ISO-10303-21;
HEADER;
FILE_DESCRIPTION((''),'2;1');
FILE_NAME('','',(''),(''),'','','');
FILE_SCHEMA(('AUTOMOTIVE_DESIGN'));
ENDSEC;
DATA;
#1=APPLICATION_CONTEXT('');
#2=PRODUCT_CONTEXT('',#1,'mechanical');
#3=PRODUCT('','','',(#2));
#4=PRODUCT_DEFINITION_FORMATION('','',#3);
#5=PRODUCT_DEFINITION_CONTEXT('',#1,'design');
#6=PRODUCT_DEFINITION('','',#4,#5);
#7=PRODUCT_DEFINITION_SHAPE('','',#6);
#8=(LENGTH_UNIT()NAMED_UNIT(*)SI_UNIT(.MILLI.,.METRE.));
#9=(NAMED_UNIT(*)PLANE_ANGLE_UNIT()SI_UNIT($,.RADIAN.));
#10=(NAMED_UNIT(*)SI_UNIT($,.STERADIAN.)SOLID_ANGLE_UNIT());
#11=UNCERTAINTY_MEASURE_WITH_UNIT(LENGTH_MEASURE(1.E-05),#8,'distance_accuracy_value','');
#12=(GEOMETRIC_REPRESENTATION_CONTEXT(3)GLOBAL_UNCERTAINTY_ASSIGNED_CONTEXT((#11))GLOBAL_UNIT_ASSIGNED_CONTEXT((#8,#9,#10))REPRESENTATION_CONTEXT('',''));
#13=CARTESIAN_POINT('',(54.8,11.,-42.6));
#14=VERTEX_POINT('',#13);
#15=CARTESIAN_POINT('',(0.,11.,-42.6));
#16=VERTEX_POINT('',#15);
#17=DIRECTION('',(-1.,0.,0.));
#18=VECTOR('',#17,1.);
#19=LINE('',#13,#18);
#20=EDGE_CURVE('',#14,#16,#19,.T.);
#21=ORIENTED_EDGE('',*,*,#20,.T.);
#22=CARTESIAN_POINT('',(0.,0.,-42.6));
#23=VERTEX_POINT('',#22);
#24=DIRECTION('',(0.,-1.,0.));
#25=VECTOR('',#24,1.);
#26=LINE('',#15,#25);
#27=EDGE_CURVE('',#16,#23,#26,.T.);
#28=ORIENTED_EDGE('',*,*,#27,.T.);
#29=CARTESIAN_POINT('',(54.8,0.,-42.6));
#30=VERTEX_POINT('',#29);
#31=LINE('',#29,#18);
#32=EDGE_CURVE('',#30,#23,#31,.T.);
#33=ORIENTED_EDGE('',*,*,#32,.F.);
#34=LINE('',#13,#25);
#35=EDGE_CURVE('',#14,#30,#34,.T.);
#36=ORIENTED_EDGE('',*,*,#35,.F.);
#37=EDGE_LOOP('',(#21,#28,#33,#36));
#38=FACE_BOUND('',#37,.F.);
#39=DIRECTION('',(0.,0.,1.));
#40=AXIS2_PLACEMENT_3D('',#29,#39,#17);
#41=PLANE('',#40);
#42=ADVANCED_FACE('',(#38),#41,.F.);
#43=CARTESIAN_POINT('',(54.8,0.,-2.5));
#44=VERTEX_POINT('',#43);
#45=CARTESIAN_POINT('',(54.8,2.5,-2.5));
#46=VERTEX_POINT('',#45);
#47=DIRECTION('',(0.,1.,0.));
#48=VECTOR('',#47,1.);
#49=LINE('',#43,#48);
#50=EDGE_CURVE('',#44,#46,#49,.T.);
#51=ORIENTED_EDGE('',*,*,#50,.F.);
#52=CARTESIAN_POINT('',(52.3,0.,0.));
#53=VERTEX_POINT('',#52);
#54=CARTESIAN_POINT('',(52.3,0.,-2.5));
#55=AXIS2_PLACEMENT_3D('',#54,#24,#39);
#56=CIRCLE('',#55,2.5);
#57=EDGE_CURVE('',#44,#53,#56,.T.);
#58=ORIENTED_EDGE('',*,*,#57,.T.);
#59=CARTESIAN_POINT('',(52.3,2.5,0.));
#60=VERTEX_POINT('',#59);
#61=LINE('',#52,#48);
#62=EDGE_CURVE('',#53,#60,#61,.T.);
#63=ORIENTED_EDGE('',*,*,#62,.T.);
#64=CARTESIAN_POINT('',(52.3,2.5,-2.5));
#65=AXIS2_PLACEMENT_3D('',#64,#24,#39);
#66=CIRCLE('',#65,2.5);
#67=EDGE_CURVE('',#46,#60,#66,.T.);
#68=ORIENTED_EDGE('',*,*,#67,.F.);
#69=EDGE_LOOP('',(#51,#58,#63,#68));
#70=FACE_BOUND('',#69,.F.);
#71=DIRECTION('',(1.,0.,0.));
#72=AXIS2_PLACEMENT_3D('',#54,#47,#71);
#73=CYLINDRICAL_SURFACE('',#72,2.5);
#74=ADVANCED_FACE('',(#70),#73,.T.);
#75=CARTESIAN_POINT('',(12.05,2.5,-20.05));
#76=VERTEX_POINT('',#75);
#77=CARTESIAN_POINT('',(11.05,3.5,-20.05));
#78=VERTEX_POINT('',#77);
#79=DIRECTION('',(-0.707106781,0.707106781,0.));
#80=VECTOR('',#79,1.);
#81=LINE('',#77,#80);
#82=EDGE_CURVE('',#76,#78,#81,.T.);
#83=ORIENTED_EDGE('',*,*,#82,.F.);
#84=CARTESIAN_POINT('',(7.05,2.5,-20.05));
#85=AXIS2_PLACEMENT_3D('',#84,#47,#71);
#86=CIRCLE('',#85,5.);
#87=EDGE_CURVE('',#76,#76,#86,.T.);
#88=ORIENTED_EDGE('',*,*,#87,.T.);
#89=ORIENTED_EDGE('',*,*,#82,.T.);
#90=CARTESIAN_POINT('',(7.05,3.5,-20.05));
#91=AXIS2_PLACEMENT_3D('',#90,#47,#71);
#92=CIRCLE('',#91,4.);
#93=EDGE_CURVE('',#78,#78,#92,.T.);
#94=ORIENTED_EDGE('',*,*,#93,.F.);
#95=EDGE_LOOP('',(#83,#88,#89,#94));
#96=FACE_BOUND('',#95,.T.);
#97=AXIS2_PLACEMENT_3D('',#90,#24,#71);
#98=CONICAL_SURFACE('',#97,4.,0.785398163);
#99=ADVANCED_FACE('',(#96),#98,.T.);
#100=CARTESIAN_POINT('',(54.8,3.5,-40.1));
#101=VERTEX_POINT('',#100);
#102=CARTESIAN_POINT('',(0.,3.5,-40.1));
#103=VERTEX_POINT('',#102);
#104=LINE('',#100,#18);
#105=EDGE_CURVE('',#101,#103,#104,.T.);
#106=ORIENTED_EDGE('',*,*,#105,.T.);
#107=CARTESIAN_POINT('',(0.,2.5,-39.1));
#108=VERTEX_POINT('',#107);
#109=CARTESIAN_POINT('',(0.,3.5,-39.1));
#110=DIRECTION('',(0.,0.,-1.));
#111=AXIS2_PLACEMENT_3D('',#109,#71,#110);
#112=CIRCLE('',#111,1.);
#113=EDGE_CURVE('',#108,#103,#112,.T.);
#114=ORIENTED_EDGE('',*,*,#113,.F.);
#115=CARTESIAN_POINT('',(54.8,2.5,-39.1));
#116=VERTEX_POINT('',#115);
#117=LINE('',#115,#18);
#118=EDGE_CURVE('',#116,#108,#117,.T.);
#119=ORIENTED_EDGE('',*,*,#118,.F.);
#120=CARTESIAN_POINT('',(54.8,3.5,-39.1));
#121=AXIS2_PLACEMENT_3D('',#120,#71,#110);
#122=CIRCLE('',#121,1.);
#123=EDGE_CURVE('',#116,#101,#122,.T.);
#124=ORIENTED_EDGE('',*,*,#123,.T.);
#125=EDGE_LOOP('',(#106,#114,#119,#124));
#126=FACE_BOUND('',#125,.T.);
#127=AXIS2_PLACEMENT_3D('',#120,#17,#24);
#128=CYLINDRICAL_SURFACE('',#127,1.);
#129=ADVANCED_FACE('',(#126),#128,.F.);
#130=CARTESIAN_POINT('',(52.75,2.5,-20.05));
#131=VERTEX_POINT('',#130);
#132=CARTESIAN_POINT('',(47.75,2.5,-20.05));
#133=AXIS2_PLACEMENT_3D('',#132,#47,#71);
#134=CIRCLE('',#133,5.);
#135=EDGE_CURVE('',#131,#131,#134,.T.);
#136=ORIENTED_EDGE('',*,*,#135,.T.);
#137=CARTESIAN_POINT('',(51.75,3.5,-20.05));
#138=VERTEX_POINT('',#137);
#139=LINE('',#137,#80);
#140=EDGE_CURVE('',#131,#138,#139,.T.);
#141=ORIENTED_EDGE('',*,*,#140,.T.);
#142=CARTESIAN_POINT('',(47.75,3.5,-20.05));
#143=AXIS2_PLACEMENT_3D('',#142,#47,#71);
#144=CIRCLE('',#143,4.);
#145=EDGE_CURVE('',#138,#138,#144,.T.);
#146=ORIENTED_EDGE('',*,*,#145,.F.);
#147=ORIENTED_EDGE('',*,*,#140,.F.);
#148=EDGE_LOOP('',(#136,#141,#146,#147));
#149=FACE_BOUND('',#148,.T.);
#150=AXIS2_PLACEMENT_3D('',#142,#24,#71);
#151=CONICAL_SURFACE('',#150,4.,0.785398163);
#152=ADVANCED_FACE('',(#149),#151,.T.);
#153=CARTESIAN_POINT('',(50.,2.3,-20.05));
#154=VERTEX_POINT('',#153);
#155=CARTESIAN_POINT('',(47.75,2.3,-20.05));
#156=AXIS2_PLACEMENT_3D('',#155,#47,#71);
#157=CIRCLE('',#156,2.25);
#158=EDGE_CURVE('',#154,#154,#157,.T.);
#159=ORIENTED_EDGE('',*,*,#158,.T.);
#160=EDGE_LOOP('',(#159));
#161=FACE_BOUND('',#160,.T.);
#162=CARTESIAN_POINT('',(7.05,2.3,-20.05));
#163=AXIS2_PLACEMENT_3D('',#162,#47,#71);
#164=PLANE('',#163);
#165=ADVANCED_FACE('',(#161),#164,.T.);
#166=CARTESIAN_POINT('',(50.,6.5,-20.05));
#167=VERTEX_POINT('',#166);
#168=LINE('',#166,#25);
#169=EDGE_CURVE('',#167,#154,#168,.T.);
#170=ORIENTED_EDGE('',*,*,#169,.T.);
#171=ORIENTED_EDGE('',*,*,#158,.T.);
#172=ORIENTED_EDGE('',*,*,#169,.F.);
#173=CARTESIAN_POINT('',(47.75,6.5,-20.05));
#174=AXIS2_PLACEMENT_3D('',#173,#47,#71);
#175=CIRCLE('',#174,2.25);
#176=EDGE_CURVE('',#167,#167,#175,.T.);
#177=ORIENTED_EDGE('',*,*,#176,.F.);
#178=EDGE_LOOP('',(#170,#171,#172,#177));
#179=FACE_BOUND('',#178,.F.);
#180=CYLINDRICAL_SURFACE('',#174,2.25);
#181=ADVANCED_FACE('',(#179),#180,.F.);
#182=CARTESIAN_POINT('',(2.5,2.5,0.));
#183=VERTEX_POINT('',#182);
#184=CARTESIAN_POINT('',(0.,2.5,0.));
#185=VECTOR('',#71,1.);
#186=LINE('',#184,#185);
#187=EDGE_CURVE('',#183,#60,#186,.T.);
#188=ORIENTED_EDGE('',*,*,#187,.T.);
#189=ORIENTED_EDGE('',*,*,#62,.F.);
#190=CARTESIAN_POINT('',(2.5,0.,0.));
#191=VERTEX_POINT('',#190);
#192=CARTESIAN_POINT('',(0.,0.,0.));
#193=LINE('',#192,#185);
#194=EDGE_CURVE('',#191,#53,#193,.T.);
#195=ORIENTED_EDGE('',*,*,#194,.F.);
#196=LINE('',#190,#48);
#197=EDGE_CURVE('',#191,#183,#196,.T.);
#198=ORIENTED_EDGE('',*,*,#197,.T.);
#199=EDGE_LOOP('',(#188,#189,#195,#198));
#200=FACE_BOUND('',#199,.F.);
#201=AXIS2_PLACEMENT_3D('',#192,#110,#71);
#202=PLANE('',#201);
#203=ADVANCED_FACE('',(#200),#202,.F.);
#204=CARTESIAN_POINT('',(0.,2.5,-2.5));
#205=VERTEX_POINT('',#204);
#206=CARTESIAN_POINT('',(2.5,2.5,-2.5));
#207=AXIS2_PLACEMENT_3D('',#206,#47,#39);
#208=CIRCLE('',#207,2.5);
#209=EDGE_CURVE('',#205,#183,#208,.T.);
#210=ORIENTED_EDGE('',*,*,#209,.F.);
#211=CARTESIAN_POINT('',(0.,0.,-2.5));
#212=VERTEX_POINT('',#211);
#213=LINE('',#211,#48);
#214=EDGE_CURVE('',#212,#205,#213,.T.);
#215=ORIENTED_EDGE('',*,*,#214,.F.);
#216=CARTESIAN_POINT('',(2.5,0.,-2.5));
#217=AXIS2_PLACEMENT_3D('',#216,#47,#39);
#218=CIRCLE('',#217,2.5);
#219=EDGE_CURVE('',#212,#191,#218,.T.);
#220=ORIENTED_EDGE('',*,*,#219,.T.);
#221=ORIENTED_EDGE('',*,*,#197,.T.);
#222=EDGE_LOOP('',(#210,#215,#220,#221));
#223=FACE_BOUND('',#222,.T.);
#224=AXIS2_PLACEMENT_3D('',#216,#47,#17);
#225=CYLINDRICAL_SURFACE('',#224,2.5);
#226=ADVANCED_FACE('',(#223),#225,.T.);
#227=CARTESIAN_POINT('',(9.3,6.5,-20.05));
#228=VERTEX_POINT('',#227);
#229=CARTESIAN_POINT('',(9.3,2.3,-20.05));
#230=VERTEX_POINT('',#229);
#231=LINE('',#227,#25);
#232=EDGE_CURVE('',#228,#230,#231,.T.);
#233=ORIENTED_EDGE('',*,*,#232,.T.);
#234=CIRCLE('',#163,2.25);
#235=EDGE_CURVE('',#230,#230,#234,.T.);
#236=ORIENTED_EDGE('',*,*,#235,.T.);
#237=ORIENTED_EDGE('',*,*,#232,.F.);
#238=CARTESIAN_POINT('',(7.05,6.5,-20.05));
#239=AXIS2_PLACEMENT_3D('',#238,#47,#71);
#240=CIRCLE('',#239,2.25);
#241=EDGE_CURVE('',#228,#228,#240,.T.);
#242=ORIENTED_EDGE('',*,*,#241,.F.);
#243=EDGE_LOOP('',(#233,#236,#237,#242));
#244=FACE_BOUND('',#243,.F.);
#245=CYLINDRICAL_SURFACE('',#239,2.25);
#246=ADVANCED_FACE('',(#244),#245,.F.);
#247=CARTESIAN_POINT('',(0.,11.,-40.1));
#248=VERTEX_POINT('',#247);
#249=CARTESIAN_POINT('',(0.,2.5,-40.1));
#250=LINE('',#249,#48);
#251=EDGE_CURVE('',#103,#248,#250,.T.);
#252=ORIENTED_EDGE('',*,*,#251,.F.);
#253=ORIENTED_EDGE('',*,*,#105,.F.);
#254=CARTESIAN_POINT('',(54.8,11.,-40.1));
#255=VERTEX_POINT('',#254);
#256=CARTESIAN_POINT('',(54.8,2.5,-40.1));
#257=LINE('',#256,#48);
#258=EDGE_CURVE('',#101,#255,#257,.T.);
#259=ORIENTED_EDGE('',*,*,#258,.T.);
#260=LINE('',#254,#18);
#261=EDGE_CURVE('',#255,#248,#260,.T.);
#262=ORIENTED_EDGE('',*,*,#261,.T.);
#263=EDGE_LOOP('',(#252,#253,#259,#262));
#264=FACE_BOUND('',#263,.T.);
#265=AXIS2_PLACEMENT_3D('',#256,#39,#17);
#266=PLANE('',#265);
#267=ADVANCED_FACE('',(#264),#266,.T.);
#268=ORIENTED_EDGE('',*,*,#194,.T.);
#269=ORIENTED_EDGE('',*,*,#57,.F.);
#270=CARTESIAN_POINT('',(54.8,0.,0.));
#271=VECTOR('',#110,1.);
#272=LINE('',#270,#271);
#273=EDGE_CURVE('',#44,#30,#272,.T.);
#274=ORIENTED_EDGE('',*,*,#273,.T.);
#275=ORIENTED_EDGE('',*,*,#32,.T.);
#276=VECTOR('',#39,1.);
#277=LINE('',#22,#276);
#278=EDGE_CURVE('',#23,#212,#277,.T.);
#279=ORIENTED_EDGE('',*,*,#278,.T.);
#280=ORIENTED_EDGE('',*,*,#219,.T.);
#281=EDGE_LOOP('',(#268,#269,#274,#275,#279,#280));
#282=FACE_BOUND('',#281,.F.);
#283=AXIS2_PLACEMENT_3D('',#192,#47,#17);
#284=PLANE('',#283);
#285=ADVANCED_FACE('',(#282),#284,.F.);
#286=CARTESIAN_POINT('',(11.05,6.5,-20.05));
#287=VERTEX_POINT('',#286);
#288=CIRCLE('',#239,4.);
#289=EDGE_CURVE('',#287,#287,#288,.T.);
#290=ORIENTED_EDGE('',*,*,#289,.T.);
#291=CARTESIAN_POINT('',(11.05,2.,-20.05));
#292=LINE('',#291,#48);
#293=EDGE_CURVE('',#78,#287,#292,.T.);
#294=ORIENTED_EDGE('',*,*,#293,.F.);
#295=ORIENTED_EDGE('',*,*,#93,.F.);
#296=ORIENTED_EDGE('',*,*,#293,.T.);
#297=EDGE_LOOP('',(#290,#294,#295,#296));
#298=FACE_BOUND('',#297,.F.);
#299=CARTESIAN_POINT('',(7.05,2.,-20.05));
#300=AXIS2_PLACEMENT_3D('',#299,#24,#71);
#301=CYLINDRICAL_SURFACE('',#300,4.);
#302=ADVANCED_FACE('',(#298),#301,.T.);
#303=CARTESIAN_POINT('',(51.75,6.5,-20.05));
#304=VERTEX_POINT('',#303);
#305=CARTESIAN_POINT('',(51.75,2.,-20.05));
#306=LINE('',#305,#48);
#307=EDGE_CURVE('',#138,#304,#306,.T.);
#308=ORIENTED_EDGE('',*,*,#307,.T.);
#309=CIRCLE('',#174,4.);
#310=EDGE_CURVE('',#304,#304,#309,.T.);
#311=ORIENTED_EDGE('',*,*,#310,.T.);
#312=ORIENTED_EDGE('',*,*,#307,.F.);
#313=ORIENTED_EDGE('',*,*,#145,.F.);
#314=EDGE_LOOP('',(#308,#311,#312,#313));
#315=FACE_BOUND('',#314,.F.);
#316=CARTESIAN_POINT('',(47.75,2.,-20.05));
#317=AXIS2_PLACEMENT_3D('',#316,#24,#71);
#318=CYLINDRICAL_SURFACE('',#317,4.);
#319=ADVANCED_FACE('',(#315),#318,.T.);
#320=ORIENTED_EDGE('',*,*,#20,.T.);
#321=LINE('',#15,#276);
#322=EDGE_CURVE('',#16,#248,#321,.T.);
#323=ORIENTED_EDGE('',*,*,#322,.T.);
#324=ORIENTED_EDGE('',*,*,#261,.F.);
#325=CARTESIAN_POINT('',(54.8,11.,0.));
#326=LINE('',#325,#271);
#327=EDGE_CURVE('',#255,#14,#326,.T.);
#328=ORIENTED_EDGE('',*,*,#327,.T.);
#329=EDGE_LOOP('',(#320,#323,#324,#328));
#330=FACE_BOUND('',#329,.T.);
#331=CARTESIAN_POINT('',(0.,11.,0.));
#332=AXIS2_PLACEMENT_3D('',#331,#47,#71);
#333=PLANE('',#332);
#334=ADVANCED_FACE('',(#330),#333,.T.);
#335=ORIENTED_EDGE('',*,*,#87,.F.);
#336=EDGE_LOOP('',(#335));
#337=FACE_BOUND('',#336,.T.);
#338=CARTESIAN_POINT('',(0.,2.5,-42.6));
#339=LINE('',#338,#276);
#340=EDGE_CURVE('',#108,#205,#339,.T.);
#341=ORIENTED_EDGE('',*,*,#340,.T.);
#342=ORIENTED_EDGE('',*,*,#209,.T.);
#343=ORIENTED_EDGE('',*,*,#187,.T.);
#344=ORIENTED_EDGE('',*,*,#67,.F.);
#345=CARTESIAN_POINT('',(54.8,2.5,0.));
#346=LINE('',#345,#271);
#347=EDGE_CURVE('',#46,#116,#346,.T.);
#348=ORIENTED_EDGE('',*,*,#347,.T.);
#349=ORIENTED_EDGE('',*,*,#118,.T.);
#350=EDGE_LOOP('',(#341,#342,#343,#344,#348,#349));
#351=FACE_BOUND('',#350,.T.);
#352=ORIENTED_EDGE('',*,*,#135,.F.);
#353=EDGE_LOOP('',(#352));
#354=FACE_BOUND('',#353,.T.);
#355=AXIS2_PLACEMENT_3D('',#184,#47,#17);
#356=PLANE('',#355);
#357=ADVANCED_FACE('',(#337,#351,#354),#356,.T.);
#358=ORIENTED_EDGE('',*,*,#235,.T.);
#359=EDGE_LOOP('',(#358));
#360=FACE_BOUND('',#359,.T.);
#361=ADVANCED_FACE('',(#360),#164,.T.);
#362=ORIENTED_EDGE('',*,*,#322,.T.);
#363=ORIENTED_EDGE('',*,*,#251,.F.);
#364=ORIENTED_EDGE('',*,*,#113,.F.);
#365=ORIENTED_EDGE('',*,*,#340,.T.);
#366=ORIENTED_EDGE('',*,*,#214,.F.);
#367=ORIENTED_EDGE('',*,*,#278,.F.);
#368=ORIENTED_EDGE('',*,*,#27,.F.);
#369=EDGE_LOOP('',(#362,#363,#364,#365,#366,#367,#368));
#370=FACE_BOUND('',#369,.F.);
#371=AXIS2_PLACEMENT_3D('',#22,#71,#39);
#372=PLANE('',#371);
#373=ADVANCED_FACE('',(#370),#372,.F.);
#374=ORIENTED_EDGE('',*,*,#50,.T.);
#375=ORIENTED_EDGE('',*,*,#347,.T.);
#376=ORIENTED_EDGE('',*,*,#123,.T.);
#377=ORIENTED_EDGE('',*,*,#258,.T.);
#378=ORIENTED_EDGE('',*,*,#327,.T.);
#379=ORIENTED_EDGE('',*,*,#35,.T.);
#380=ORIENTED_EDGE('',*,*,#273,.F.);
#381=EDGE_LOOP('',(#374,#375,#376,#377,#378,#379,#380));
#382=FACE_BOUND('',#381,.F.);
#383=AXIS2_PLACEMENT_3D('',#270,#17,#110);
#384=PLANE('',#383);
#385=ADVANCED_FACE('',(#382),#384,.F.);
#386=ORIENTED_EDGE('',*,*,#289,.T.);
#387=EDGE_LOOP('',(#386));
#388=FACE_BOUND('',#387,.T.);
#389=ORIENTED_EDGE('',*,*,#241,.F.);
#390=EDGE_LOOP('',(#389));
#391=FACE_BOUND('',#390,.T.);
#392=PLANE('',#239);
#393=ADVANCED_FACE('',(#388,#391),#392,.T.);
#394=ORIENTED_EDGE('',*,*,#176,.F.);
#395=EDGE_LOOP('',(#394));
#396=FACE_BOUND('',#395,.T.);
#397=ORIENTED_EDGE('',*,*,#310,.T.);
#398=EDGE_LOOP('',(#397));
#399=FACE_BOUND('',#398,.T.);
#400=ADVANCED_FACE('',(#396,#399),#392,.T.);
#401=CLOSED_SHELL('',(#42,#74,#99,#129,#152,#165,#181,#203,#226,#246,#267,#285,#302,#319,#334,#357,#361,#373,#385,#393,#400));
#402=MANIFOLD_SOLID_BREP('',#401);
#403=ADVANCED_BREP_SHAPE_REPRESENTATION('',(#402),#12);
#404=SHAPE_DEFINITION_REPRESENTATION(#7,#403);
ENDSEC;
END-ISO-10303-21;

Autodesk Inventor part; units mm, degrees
ref_plane "YZ Plane" through (0, 0, 0) normal (1, 0, 0) x (0, 1, 0)
ref_plane "XZ Plane" through (0, 0, 0) normal (0, 1, 0) x (-1, 0, 0)
ref_plane "XY Plane" through (0, 0, 0) normal (0, 0, 1) x (1, 0, 0)
sketch "Sketch1" plane through (0, 0, 0) normal (0, 1, 0) x (-1, 0, 0)
  line L0 (0, 0) -> (-54.8, 0)
  line L1 (-54.8, 0) -> (-54.8, -42.6)
  line L2 (-54.8, -42.6) -> (0, -42.6)
  line L3 (0, -42.6) -> (0, 0)
  dimension "d0" = 54.8
  dimension "d1" = 42.6
extrude "Extrusion1" add sketch "Sketch1" along normal blind 2.5
sketch "Sketch2" plane through (0, 2.5, 0) normal (0, 1, 0) x (1, 0, 0)
  line L0 (54.8, 0) -> (54.8, 42.6) projected
  line L1 (54.8, 42.6) -> (0, 42.6) projected
  line L2 (0, 42.6) -> (0, 0) projected
  line L3 (0, 0) -> (54.8, 0) projected
  line L4 (0, 42.6) -> (54.8, 42.6)
  line L5 (54.8, 42.6) -> (54.8, 40.1)
  line L6 (54.8, 40.1) -> (0, 40.1)
  line L7 (0, 40.1) -> (0, 42.6)
  dimension "d4" = 2.5
extrude "Extrusion2" add sketch "Sketch2" along normal blind 8.5 contours L6 L2 L1 L0
sketch "Sketch3" plane through (0, 2.5, 0) normal (0, 1, 0) x (1, 0, 0)
  line L0 (54.8, 40.1) -> (0, 40.1) projected
  line L1 (0, 40.1) -> (0, 0) projected
  line L2 (0, 0) -> (54.8, 0) projected
  line L3 (54.8, 0) -> (54.8, 40.1) projected
  circle A0 centre (7.05, 20.05) radius 4
  circle A1 centre (47.75, 20.05) radius 4
  dimension "d7" = 8
  dimension "d8" = 8
  dimension "d9" = 7.05
  dimension "d10" = 7.05
  dimension "d11" = 20.05
  dimension "d12" = 20.05
extrude "Extrusion3" cut sketch "Sketch3" against normal blind 0.5 contours A0 | A1
sketch "Sketch4" plane through (7.05, 2, -20.05) normal (0, 1, 0) x (1, 0, 0)
  circle A0 centre (0, 0) radius 4 projected
  circle A1 centre (0, 0) radius 4
  circle A2 centre (40.7, 0) radius 4 projected
  circle A3 centre (40.7, 0) radius 4
  point P0 (-7.05, -20.05)
  dimension "d15" = 8
  dimension "d16" = 8
extrude "Extrusion4" add sketch "Sketch4" along normal blind 4.5
sketch "Sketch5" plane through (7.05, 6.5, -20.05) normal (0, 1, 0) x (1, 0, 0)
  circle A0 centre (0, 0) radius 4 projected
  circle A1 centre (0, 0) radius 2.25
  circle A2 centre (40.7, 0) radius 4 projected
  circle A3 centre (40.7, 0) radius 2.25
  point P0 (-7.05, -20.05)
  dimension "d19" = 4.5
  dimension "d20" = 4.5
extrude "Extrusion5" cut sketch "Sketch5" against normal blind 4.2 contours A1 | A3
chamfer "Chamfer1" distance 1 angle 45 2 edges at (3.05, 2.5, -20.05) (43.75, 2.5, -20.05)
fillet "Fillet1" radius 2.5 2 edges at (0, 1.25, 0) (54.8, 1.25, 0)
fillet "Fillet2" radius 1 1 edges at (27.4, 2.5, -40.1)
properties part number "small_backplate"
